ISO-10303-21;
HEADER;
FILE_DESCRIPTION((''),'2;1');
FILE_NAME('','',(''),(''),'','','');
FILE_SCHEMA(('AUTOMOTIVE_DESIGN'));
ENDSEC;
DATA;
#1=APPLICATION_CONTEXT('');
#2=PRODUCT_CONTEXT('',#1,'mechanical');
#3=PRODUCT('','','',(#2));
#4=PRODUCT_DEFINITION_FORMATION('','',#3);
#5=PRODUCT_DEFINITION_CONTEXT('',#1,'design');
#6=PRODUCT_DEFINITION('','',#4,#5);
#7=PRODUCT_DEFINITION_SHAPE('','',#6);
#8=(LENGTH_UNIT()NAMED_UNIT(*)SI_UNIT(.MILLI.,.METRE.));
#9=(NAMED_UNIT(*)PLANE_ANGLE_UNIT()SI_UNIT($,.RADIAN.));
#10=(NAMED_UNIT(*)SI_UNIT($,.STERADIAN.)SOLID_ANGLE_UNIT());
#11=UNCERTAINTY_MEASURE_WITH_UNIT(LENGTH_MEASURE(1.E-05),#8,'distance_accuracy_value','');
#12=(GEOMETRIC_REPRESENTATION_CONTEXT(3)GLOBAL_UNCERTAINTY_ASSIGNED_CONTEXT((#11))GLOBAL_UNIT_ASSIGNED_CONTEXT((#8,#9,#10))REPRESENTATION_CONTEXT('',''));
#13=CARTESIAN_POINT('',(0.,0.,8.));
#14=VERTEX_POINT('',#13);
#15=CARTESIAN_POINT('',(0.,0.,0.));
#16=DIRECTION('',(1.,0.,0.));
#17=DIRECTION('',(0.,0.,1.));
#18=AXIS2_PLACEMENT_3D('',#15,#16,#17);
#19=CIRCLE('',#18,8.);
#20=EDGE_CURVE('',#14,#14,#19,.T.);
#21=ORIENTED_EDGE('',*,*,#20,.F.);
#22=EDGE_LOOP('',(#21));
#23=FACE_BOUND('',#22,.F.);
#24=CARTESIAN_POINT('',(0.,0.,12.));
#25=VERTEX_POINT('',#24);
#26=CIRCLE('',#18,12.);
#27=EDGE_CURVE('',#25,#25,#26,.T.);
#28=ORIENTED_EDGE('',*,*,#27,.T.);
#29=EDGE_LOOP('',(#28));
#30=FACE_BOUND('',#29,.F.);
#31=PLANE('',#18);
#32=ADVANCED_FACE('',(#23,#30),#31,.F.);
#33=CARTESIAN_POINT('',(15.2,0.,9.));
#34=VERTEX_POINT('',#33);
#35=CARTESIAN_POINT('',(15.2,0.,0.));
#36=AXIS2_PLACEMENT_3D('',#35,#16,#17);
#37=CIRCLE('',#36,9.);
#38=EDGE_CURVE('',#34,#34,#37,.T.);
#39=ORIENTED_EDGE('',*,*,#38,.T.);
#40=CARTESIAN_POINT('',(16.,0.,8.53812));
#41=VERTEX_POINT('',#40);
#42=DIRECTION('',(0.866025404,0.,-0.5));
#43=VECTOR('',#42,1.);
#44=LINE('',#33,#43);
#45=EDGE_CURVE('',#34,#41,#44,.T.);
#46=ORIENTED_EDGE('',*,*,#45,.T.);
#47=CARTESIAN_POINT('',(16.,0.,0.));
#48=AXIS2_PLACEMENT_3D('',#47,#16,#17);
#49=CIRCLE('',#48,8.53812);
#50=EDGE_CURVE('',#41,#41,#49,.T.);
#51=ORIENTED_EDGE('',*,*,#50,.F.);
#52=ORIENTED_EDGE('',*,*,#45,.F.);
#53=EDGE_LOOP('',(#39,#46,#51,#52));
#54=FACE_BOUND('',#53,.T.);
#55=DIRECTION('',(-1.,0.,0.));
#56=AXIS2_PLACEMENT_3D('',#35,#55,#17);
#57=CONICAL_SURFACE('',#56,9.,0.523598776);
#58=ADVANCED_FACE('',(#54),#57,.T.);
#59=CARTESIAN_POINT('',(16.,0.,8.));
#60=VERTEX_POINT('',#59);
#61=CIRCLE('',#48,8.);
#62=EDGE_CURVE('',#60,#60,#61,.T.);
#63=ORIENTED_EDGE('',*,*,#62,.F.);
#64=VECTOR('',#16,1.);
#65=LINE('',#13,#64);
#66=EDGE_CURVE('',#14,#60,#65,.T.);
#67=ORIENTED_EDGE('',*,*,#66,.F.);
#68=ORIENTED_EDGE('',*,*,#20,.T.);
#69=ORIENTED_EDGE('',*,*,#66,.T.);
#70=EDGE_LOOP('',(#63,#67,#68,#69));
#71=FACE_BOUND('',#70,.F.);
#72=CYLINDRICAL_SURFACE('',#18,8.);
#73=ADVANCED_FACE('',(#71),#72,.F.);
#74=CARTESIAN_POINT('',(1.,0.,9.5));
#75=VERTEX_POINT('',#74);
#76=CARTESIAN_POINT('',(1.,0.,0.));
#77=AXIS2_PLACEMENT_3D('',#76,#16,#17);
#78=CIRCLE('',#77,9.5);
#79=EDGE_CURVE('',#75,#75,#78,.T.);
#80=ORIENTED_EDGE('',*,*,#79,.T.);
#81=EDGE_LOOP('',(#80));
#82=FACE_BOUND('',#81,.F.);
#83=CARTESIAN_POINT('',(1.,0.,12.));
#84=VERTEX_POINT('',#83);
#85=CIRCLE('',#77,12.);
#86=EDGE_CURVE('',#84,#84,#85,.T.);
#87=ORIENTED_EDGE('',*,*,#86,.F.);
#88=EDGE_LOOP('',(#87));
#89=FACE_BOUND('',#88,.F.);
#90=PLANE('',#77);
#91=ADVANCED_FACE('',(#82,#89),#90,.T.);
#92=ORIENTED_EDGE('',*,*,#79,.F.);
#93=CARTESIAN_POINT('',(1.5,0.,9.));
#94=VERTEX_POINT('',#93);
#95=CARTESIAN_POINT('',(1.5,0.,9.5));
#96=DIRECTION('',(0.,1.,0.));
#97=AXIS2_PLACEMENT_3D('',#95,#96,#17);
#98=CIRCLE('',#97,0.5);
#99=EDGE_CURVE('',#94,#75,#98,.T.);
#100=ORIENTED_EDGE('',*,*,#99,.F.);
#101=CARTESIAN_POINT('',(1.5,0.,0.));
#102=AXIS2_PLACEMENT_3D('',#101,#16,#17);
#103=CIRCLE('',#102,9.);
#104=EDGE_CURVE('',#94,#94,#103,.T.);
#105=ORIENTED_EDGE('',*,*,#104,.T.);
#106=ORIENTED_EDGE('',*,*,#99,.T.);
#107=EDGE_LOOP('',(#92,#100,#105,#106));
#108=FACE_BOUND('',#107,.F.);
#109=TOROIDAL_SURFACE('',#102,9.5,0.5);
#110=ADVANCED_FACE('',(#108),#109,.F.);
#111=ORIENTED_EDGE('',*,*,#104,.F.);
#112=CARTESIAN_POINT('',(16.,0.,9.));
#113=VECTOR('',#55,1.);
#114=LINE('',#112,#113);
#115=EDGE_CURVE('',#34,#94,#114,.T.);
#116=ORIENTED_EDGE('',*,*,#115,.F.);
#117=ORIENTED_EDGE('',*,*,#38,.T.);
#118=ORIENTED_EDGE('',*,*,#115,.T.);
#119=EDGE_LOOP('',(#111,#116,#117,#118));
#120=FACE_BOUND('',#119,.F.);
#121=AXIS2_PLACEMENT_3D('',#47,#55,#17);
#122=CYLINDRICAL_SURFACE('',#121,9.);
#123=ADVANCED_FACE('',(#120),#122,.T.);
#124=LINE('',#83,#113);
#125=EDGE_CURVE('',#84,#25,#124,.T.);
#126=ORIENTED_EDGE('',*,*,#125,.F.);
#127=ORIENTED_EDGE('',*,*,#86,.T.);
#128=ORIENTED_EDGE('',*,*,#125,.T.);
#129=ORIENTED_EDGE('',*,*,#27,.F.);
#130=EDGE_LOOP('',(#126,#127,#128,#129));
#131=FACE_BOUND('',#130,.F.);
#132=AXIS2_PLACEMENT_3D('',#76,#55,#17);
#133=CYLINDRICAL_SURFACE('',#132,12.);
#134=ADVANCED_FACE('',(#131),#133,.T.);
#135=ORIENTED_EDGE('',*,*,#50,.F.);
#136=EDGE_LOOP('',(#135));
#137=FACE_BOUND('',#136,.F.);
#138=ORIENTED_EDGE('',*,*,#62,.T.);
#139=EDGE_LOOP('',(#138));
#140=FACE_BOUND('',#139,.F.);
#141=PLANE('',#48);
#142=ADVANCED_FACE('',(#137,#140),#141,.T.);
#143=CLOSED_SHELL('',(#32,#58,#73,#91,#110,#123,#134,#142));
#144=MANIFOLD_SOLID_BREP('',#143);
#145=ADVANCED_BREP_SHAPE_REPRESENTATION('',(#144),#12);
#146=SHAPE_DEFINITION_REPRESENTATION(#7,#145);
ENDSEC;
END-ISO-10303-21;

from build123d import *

# Parameters (mm, degrees)
F2_SIZE2 = 0.4618802154
F2_SIZE  = 0.8
F3_R     = 0.5


with BuildPart() as f1:
    # F0 (on Front) → F1 (revolve)
    with BuildSketch(Plane.XZ):
        Polygon((0, 12), (0, 8), (1, 8), (16, 8), (16, 9), (1, 9), (1, 12), align=None)
    revolve(axis=Axis((8, 0, 0), (1, 0, 0)))

    # F2
    f2_edges = [f1.edges().sort_by_distance(p)[0] for p in [
        (16, 0, -9),
    ]]
    f2_side = f1.faces().sort_by_distance((8.5, 0, -9))[0]
    chamfer(f2_edges, length=F2_SIZE, length2=F2_SIZE2, reference=f2_side)

    # F3
    f3_edges = [f1.edges().sort_by_distance(p)[0] for p in [
        (1, 0, -9),
    ]]
    fillet(f3_edges, radius=F3_R)


solid = f1.part
